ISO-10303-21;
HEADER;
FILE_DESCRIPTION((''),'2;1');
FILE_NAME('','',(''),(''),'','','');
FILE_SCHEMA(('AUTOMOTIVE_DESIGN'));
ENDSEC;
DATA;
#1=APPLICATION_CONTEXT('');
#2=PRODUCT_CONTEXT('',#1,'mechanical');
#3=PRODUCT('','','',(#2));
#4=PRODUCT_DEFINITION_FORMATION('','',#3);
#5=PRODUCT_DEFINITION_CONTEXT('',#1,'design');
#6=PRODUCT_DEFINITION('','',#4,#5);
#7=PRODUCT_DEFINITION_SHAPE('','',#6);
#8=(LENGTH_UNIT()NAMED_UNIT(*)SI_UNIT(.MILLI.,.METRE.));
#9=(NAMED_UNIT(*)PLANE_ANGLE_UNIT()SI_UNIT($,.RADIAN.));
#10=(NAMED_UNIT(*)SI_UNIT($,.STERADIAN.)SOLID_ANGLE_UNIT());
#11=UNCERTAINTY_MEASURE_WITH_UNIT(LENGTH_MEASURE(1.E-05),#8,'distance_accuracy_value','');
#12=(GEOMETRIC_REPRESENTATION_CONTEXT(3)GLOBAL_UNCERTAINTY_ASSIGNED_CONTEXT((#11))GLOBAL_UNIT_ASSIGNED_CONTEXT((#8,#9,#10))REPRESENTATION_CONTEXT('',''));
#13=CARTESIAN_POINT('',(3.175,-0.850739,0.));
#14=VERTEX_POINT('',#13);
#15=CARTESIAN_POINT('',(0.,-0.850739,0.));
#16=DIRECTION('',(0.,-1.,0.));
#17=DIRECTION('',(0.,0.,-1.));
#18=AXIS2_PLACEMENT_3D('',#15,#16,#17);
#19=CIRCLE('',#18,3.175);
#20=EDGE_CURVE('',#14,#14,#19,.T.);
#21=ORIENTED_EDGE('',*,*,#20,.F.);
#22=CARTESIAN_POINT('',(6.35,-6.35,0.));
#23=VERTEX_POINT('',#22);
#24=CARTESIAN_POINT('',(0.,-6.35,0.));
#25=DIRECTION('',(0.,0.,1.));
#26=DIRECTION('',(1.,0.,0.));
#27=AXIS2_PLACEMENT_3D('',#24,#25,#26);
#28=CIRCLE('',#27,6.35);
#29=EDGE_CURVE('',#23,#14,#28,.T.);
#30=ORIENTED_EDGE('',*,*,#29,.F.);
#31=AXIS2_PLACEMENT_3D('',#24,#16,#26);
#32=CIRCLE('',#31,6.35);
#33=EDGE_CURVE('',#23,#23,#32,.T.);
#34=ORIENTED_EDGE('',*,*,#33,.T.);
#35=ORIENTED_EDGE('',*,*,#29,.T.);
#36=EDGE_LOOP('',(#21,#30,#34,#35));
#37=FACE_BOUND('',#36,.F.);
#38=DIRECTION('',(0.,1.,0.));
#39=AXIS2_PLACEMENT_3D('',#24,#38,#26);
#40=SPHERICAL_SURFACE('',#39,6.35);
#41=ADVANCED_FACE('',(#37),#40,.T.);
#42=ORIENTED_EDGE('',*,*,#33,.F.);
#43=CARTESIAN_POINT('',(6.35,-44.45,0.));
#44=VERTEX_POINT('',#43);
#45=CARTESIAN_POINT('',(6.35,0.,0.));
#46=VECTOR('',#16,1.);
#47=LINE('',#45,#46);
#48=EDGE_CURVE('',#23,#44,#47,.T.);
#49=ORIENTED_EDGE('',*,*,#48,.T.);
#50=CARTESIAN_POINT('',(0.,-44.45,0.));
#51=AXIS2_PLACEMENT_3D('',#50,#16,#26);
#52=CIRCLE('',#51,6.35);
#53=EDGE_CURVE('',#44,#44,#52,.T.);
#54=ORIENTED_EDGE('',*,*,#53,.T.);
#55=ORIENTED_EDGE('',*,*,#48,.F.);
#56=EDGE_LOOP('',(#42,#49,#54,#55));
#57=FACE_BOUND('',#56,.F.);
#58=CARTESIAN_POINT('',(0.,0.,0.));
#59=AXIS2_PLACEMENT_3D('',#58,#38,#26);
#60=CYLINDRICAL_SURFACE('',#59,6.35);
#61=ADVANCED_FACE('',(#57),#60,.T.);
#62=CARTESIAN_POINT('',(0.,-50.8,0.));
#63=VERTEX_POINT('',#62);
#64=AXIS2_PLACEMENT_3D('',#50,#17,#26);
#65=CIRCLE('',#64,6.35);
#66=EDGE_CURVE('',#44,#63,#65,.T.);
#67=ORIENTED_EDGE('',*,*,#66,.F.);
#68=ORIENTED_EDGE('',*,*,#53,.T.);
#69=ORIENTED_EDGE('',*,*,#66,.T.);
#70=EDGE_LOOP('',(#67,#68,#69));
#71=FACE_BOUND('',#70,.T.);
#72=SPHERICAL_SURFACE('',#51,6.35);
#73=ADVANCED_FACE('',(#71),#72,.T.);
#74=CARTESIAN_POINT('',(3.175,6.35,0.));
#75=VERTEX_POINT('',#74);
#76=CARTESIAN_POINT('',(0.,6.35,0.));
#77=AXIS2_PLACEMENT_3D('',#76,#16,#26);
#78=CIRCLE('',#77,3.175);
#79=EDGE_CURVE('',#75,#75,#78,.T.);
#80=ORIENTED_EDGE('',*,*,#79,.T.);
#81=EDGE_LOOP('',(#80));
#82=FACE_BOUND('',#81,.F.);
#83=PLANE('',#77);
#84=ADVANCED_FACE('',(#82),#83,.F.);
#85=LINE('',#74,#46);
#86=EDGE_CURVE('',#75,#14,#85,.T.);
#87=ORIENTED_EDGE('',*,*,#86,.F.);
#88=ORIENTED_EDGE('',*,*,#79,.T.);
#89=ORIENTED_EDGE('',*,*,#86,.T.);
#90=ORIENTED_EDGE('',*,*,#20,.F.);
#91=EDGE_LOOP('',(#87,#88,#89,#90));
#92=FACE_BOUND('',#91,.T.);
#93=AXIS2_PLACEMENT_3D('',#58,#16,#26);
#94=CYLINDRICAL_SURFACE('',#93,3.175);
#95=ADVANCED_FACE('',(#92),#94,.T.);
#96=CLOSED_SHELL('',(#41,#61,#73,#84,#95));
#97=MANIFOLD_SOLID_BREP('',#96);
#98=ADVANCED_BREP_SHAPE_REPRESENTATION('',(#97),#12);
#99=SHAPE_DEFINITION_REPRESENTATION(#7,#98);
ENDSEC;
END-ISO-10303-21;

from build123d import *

# Parameters (mm, degrees)
F0_R     = 6.35
F1_DEPTH = 50.8
F2_R     = 6.35
F3_R     = 6.35
F4_R     = 3.175
F5_DEPTH = 6.35


with BuildPart() as f1:
    # F0 (on Front) → F1 (new body)
    with BuildSketch(Plane.XZ):
        Circle(F0_R)
    extrude(amount=F1_DEPTH)

    # F2
    f2_edges = [f1.edges().sort_by_distance(p)[0] for p in [
        (-6.35, -50.8, 0),
    ]]
    fillet(f2_edges, radius=F2_R)

    # F3
    f3_edges = [f1.edges().sort_by_distance(p)[0] for p in [
        (-6.35, 0, 0),
    ]]
    fillet(f3_edges, radius=F3_R)

    # F4 (on Front) → F5 (join, symmetric)
    with BuildSketch(Plane.XZ):
        Circle(F4_R)
    extrude(amount=F5_DEPTH, both=True)


solid = f1.part
